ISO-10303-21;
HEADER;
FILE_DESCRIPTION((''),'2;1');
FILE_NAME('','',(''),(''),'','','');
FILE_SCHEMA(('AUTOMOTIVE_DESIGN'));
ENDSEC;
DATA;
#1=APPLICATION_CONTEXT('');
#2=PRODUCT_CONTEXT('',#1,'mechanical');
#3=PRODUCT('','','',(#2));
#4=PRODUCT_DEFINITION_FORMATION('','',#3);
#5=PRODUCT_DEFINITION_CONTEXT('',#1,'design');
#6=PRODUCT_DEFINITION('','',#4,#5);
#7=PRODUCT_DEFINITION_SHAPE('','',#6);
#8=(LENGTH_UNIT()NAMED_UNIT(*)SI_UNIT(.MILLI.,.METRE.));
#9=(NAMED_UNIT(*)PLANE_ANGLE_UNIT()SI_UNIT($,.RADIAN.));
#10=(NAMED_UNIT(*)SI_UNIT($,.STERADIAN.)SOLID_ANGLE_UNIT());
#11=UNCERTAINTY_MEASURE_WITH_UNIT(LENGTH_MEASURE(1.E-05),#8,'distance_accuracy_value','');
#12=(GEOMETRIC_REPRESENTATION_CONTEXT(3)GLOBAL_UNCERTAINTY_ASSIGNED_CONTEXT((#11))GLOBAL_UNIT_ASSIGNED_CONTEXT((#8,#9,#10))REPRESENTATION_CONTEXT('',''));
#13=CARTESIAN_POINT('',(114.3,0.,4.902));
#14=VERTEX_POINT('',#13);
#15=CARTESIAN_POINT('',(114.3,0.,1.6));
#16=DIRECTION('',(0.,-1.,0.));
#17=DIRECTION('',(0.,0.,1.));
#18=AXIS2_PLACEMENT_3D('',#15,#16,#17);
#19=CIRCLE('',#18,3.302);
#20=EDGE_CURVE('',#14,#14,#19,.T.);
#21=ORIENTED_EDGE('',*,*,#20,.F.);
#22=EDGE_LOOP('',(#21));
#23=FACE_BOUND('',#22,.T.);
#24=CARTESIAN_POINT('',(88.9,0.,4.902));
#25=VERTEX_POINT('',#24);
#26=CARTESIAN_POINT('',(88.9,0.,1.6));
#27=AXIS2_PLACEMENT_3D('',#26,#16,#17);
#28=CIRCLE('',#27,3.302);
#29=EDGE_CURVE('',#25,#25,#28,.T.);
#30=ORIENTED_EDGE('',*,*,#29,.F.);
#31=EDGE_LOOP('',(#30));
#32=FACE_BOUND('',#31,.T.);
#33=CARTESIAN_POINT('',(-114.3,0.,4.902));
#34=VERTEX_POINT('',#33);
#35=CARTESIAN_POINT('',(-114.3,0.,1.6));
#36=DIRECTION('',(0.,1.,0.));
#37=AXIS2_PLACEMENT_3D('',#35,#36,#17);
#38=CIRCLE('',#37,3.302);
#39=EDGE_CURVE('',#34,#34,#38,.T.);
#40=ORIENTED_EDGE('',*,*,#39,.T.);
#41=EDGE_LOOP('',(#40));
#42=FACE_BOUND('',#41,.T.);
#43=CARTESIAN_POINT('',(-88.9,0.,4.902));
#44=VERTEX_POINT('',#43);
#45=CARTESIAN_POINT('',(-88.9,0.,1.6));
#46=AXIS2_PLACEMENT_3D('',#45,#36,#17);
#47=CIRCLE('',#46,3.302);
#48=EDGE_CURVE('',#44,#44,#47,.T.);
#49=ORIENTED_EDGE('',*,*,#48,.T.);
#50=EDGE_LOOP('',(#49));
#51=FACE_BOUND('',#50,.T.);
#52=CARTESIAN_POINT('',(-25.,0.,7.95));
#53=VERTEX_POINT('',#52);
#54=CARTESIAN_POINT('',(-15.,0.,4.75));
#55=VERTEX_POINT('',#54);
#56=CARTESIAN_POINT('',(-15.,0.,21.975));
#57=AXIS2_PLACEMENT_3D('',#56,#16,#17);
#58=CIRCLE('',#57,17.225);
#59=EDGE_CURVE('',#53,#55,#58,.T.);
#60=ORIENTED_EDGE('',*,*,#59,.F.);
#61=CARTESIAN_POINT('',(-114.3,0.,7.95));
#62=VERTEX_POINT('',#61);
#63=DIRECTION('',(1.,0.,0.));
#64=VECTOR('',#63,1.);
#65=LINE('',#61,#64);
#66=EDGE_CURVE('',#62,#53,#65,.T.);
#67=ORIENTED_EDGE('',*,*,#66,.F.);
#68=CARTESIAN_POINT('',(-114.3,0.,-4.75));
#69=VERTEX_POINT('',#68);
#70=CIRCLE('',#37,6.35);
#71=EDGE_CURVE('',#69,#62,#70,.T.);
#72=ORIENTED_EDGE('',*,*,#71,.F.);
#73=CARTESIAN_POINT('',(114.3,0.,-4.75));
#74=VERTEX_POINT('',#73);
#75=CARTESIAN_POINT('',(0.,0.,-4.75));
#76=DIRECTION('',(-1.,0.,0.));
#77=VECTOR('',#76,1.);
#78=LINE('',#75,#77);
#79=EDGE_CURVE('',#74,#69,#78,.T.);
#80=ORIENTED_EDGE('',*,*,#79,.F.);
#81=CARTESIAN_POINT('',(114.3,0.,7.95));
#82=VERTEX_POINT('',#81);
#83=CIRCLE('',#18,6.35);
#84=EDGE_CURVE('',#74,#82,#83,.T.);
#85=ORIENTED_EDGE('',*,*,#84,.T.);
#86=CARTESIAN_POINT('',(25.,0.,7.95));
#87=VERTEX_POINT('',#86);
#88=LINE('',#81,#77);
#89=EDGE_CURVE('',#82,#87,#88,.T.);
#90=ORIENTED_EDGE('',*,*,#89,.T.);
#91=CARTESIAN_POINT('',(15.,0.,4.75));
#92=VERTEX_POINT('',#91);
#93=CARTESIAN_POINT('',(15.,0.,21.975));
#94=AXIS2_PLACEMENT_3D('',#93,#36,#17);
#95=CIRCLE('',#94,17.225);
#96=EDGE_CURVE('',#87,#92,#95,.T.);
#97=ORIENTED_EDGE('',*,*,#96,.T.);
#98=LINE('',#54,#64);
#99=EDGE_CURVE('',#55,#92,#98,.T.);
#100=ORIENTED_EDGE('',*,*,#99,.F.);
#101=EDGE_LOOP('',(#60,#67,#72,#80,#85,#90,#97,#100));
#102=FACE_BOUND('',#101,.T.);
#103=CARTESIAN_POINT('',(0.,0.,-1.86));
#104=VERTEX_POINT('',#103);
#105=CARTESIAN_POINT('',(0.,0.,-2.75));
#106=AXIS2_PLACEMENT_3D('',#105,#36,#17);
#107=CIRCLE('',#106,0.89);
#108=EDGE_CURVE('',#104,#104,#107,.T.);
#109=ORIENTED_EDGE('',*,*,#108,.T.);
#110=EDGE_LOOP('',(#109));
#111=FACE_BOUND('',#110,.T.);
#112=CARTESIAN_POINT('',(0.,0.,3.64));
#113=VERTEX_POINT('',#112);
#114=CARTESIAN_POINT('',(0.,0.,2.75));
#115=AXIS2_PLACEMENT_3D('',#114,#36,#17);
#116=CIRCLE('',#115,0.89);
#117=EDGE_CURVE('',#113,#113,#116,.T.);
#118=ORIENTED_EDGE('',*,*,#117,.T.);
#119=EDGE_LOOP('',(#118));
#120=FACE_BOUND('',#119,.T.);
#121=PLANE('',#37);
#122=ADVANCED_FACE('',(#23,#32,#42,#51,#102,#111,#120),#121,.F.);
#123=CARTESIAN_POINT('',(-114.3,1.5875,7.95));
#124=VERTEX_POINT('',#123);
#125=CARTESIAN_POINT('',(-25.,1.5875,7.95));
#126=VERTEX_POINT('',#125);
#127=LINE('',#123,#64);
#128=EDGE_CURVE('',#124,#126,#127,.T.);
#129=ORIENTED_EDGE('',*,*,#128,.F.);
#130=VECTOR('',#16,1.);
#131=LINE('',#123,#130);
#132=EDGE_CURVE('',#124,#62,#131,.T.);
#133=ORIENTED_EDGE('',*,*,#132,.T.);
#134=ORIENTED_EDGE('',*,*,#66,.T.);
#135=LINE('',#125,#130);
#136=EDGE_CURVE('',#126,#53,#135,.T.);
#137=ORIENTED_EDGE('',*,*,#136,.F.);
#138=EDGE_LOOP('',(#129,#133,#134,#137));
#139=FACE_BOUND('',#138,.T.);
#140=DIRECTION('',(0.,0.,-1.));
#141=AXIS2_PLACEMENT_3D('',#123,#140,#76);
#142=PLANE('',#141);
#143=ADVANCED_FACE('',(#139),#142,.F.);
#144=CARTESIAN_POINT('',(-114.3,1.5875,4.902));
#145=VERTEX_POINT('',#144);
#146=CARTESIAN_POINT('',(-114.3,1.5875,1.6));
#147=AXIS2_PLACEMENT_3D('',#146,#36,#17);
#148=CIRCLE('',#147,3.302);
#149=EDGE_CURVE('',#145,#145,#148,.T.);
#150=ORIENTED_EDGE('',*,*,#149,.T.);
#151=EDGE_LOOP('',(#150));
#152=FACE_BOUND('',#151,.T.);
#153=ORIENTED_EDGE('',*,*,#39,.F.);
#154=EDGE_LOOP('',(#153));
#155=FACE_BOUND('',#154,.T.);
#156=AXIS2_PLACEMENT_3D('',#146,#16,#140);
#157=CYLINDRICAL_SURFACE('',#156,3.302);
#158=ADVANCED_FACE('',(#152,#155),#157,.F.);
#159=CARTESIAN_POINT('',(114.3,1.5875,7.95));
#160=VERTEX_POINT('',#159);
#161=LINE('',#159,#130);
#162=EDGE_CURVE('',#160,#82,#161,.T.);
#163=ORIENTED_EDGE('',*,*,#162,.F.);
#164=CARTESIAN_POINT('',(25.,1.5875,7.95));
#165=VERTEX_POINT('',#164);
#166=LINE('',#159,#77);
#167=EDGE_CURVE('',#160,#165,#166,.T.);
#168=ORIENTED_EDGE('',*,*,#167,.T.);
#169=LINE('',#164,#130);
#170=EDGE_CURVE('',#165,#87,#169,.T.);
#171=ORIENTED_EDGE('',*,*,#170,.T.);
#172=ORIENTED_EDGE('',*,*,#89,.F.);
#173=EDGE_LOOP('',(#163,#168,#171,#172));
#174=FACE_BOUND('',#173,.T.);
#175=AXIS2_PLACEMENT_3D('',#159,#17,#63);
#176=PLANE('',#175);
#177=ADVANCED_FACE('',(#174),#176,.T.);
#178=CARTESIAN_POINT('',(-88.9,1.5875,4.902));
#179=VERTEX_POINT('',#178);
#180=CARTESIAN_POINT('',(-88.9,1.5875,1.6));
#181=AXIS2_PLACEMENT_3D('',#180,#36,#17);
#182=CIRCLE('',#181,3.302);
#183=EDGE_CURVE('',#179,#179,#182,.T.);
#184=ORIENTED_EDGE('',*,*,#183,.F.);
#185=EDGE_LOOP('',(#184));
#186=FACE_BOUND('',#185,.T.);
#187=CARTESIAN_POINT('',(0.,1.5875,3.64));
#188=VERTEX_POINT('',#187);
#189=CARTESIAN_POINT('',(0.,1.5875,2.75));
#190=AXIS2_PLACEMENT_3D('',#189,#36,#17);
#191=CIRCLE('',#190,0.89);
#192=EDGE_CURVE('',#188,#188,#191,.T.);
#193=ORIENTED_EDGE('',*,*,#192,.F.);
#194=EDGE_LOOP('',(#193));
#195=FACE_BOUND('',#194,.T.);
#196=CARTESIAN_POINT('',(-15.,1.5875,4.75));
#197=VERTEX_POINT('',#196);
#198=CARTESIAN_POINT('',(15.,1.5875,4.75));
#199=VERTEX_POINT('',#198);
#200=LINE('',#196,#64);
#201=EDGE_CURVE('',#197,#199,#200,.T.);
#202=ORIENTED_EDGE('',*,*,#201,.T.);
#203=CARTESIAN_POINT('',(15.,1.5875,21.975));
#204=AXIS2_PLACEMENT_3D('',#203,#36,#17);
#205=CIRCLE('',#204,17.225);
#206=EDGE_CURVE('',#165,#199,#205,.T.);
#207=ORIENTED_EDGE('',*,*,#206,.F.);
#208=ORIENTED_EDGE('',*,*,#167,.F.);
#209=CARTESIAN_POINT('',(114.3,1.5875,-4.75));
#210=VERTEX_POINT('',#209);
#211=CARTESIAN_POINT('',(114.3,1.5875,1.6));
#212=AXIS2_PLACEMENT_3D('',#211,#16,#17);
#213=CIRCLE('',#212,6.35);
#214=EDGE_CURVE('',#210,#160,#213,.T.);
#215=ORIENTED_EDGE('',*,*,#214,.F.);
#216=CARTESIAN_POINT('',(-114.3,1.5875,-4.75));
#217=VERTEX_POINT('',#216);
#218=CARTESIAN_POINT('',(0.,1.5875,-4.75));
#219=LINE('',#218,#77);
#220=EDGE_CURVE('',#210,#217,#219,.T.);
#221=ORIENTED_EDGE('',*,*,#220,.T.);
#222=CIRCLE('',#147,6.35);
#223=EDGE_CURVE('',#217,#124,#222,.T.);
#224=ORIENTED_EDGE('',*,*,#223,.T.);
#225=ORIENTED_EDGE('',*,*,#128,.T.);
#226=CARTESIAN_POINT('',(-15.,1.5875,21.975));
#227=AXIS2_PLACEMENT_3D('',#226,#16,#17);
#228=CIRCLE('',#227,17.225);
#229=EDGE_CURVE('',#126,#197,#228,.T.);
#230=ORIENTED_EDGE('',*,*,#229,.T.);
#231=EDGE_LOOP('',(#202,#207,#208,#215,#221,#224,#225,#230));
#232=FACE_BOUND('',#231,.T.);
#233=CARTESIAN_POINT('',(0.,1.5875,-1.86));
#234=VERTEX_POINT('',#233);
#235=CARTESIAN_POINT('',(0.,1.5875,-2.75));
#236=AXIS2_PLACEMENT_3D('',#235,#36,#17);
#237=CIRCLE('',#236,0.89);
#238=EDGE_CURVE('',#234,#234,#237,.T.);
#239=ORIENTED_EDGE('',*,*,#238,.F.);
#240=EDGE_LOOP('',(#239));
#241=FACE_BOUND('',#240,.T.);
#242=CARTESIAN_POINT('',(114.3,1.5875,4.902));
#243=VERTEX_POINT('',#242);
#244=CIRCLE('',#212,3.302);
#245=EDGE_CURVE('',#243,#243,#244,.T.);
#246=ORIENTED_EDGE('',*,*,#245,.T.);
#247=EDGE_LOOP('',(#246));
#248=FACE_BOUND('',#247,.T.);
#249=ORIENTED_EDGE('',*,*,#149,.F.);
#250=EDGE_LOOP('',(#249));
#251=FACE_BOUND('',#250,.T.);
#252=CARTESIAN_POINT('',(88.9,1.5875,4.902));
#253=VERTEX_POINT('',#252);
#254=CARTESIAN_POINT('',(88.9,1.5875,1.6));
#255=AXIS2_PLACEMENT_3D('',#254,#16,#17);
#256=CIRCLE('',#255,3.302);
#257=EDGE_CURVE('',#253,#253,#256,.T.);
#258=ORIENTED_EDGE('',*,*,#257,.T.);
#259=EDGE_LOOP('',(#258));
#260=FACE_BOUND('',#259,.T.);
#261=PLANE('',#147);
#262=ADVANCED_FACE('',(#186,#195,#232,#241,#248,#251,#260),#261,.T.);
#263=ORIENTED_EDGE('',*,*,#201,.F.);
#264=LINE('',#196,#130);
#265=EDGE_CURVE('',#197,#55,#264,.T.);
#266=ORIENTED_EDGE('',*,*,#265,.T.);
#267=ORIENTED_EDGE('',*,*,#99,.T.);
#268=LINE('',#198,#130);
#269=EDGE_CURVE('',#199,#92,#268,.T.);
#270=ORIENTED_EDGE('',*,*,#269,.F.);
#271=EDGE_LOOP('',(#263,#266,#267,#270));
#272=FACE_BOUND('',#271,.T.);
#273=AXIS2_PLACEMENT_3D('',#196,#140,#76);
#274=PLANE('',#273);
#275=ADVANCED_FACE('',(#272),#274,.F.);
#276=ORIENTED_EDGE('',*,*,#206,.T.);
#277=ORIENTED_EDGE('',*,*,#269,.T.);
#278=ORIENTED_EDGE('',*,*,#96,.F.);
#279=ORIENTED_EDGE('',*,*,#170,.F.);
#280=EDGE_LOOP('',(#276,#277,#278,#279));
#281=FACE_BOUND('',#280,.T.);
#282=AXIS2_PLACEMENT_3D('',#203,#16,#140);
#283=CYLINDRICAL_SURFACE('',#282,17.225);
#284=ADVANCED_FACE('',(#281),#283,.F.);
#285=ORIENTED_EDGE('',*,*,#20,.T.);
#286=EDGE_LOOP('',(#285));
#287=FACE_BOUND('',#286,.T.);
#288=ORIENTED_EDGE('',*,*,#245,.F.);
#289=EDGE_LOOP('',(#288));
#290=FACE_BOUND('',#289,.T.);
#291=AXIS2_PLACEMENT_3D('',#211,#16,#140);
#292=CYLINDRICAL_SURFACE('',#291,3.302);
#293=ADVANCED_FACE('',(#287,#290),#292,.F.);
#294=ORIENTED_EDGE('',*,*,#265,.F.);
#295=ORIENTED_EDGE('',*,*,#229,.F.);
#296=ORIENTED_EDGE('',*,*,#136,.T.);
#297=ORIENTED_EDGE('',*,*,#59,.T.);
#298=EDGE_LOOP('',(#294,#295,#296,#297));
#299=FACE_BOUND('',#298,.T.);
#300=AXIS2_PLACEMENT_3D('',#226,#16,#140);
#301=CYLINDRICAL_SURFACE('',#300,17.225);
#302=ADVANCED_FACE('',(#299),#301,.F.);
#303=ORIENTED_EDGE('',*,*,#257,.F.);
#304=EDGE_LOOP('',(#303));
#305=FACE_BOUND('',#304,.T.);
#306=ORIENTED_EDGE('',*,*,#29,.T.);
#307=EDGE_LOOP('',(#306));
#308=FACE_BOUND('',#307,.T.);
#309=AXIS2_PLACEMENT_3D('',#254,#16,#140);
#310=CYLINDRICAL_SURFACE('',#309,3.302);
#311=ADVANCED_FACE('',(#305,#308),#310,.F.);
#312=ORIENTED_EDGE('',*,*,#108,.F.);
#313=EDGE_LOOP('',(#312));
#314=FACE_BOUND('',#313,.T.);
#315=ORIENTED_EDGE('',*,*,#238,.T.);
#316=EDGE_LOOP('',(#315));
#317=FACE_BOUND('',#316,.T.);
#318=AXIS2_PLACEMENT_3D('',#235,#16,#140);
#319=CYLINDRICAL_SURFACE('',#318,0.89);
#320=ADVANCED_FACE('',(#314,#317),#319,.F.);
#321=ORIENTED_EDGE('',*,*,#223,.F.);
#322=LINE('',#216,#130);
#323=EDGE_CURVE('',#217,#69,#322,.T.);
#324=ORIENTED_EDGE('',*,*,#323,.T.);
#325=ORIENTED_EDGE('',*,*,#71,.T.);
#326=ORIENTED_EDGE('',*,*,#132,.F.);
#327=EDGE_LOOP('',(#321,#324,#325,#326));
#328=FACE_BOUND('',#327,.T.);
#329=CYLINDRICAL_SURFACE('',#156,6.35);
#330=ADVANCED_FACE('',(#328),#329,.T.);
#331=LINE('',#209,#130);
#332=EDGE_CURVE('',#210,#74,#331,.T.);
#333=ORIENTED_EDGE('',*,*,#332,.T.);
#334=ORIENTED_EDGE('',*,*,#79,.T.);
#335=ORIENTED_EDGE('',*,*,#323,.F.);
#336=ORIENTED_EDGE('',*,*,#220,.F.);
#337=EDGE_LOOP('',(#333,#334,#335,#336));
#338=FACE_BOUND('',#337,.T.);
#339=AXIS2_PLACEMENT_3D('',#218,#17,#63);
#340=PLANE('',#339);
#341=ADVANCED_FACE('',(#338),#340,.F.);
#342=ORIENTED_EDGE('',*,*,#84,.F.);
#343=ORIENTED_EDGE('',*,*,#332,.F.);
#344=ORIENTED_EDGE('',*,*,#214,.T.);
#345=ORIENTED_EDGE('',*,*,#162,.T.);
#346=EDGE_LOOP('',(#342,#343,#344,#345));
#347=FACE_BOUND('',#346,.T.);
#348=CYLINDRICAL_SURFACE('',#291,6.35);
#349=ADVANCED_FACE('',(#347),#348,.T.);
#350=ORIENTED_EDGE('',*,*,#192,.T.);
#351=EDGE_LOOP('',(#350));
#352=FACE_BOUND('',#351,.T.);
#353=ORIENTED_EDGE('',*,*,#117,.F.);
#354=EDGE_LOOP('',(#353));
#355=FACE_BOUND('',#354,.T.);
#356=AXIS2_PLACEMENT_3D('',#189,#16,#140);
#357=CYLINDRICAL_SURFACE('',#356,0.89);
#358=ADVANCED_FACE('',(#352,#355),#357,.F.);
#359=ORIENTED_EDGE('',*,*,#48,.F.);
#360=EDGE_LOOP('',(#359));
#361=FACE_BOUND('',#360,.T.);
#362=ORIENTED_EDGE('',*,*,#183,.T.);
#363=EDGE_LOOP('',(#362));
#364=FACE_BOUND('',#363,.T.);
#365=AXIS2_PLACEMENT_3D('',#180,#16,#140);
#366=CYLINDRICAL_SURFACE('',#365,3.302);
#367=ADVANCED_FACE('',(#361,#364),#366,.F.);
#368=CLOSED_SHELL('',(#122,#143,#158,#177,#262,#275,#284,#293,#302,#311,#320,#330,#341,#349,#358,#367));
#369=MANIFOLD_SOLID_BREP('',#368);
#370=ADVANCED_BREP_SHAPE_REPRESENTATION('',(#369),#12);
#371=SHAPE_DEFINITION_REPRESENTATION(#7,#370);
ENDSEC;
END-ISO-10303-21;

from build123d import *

# Parameters (mm, degrees)
SKETCH5_R           = 3.302
BOSS_EXTRUDE1_DEPTH = 1.5875
SKETCH6_R           = 0.89
CUT_EXTRUDE2_DEPTH  = 121.922062322


with BuildPart() as part:
    # Sketch5 → Boss-Extrude1 (new body)
    with BuildSketch(Plane(origin=(0, 0, 0), x_dir=(1, 0, 0), z_dir=(0, 1, 0))):
        with BuildLine():
            Line((0, 4.75), (-114.3, 4.75))
            ThreePointArc((-114.3, 4.75), (-120.65, -1.6), (-114.3, -7.95))
            Line((-114.3, -7.95), (-25, -7.95))
            ThreePointArc((-25, -7.95), (-20.249761899, -5.569494064), (-15, -4.75))
            Line((-15, -4.75), (0, -4.75))
            Line((0, -4.75), (0, 4.75))
        make_face()
        with Locations(Location((-114.3, -1.6, 0), (0, 0, 270))):
            Circle(SKETCH5_R, mode=Mode.SUBTRACT)
        with Locations(Location((-88.9, -1.6, 0), (0, 0, 270))):
            Circle(SKETCH5_R, mode=Mode.SUBTRACT)
    boss_extrude1 = extrude(amount=BOSS_EXTRUDE1_DEPTH)

    # Mirror1: Boss-Extrude1 across plane
    add(boss_extrude1.mirror(Plane(origin=(0, 1.5875, -4.75), x_dir=(0, 0, 1), z_dir=(-1, 0, 0))))

    # Sketch6 → Cut-Extrude2 (cut, through all)
    with BuildSketch(Plane(origin=(0, 0, 0), x_dir=(1, 0, 0), z_dir=(0, 1, 0))):
        with Locations(Location((0, 2.75, 0), (0, 0, 270))):
            Circle(SKETCH6_R)
        with Locations(Location((0, -2.75, 0), (0, 0, 270))):
            Circle(SKETCH6_R)
    extrude(amount=CUT_EXTRUDE2_DEPTH, mode=Mode.SUBTRACT)


solid = part.part
